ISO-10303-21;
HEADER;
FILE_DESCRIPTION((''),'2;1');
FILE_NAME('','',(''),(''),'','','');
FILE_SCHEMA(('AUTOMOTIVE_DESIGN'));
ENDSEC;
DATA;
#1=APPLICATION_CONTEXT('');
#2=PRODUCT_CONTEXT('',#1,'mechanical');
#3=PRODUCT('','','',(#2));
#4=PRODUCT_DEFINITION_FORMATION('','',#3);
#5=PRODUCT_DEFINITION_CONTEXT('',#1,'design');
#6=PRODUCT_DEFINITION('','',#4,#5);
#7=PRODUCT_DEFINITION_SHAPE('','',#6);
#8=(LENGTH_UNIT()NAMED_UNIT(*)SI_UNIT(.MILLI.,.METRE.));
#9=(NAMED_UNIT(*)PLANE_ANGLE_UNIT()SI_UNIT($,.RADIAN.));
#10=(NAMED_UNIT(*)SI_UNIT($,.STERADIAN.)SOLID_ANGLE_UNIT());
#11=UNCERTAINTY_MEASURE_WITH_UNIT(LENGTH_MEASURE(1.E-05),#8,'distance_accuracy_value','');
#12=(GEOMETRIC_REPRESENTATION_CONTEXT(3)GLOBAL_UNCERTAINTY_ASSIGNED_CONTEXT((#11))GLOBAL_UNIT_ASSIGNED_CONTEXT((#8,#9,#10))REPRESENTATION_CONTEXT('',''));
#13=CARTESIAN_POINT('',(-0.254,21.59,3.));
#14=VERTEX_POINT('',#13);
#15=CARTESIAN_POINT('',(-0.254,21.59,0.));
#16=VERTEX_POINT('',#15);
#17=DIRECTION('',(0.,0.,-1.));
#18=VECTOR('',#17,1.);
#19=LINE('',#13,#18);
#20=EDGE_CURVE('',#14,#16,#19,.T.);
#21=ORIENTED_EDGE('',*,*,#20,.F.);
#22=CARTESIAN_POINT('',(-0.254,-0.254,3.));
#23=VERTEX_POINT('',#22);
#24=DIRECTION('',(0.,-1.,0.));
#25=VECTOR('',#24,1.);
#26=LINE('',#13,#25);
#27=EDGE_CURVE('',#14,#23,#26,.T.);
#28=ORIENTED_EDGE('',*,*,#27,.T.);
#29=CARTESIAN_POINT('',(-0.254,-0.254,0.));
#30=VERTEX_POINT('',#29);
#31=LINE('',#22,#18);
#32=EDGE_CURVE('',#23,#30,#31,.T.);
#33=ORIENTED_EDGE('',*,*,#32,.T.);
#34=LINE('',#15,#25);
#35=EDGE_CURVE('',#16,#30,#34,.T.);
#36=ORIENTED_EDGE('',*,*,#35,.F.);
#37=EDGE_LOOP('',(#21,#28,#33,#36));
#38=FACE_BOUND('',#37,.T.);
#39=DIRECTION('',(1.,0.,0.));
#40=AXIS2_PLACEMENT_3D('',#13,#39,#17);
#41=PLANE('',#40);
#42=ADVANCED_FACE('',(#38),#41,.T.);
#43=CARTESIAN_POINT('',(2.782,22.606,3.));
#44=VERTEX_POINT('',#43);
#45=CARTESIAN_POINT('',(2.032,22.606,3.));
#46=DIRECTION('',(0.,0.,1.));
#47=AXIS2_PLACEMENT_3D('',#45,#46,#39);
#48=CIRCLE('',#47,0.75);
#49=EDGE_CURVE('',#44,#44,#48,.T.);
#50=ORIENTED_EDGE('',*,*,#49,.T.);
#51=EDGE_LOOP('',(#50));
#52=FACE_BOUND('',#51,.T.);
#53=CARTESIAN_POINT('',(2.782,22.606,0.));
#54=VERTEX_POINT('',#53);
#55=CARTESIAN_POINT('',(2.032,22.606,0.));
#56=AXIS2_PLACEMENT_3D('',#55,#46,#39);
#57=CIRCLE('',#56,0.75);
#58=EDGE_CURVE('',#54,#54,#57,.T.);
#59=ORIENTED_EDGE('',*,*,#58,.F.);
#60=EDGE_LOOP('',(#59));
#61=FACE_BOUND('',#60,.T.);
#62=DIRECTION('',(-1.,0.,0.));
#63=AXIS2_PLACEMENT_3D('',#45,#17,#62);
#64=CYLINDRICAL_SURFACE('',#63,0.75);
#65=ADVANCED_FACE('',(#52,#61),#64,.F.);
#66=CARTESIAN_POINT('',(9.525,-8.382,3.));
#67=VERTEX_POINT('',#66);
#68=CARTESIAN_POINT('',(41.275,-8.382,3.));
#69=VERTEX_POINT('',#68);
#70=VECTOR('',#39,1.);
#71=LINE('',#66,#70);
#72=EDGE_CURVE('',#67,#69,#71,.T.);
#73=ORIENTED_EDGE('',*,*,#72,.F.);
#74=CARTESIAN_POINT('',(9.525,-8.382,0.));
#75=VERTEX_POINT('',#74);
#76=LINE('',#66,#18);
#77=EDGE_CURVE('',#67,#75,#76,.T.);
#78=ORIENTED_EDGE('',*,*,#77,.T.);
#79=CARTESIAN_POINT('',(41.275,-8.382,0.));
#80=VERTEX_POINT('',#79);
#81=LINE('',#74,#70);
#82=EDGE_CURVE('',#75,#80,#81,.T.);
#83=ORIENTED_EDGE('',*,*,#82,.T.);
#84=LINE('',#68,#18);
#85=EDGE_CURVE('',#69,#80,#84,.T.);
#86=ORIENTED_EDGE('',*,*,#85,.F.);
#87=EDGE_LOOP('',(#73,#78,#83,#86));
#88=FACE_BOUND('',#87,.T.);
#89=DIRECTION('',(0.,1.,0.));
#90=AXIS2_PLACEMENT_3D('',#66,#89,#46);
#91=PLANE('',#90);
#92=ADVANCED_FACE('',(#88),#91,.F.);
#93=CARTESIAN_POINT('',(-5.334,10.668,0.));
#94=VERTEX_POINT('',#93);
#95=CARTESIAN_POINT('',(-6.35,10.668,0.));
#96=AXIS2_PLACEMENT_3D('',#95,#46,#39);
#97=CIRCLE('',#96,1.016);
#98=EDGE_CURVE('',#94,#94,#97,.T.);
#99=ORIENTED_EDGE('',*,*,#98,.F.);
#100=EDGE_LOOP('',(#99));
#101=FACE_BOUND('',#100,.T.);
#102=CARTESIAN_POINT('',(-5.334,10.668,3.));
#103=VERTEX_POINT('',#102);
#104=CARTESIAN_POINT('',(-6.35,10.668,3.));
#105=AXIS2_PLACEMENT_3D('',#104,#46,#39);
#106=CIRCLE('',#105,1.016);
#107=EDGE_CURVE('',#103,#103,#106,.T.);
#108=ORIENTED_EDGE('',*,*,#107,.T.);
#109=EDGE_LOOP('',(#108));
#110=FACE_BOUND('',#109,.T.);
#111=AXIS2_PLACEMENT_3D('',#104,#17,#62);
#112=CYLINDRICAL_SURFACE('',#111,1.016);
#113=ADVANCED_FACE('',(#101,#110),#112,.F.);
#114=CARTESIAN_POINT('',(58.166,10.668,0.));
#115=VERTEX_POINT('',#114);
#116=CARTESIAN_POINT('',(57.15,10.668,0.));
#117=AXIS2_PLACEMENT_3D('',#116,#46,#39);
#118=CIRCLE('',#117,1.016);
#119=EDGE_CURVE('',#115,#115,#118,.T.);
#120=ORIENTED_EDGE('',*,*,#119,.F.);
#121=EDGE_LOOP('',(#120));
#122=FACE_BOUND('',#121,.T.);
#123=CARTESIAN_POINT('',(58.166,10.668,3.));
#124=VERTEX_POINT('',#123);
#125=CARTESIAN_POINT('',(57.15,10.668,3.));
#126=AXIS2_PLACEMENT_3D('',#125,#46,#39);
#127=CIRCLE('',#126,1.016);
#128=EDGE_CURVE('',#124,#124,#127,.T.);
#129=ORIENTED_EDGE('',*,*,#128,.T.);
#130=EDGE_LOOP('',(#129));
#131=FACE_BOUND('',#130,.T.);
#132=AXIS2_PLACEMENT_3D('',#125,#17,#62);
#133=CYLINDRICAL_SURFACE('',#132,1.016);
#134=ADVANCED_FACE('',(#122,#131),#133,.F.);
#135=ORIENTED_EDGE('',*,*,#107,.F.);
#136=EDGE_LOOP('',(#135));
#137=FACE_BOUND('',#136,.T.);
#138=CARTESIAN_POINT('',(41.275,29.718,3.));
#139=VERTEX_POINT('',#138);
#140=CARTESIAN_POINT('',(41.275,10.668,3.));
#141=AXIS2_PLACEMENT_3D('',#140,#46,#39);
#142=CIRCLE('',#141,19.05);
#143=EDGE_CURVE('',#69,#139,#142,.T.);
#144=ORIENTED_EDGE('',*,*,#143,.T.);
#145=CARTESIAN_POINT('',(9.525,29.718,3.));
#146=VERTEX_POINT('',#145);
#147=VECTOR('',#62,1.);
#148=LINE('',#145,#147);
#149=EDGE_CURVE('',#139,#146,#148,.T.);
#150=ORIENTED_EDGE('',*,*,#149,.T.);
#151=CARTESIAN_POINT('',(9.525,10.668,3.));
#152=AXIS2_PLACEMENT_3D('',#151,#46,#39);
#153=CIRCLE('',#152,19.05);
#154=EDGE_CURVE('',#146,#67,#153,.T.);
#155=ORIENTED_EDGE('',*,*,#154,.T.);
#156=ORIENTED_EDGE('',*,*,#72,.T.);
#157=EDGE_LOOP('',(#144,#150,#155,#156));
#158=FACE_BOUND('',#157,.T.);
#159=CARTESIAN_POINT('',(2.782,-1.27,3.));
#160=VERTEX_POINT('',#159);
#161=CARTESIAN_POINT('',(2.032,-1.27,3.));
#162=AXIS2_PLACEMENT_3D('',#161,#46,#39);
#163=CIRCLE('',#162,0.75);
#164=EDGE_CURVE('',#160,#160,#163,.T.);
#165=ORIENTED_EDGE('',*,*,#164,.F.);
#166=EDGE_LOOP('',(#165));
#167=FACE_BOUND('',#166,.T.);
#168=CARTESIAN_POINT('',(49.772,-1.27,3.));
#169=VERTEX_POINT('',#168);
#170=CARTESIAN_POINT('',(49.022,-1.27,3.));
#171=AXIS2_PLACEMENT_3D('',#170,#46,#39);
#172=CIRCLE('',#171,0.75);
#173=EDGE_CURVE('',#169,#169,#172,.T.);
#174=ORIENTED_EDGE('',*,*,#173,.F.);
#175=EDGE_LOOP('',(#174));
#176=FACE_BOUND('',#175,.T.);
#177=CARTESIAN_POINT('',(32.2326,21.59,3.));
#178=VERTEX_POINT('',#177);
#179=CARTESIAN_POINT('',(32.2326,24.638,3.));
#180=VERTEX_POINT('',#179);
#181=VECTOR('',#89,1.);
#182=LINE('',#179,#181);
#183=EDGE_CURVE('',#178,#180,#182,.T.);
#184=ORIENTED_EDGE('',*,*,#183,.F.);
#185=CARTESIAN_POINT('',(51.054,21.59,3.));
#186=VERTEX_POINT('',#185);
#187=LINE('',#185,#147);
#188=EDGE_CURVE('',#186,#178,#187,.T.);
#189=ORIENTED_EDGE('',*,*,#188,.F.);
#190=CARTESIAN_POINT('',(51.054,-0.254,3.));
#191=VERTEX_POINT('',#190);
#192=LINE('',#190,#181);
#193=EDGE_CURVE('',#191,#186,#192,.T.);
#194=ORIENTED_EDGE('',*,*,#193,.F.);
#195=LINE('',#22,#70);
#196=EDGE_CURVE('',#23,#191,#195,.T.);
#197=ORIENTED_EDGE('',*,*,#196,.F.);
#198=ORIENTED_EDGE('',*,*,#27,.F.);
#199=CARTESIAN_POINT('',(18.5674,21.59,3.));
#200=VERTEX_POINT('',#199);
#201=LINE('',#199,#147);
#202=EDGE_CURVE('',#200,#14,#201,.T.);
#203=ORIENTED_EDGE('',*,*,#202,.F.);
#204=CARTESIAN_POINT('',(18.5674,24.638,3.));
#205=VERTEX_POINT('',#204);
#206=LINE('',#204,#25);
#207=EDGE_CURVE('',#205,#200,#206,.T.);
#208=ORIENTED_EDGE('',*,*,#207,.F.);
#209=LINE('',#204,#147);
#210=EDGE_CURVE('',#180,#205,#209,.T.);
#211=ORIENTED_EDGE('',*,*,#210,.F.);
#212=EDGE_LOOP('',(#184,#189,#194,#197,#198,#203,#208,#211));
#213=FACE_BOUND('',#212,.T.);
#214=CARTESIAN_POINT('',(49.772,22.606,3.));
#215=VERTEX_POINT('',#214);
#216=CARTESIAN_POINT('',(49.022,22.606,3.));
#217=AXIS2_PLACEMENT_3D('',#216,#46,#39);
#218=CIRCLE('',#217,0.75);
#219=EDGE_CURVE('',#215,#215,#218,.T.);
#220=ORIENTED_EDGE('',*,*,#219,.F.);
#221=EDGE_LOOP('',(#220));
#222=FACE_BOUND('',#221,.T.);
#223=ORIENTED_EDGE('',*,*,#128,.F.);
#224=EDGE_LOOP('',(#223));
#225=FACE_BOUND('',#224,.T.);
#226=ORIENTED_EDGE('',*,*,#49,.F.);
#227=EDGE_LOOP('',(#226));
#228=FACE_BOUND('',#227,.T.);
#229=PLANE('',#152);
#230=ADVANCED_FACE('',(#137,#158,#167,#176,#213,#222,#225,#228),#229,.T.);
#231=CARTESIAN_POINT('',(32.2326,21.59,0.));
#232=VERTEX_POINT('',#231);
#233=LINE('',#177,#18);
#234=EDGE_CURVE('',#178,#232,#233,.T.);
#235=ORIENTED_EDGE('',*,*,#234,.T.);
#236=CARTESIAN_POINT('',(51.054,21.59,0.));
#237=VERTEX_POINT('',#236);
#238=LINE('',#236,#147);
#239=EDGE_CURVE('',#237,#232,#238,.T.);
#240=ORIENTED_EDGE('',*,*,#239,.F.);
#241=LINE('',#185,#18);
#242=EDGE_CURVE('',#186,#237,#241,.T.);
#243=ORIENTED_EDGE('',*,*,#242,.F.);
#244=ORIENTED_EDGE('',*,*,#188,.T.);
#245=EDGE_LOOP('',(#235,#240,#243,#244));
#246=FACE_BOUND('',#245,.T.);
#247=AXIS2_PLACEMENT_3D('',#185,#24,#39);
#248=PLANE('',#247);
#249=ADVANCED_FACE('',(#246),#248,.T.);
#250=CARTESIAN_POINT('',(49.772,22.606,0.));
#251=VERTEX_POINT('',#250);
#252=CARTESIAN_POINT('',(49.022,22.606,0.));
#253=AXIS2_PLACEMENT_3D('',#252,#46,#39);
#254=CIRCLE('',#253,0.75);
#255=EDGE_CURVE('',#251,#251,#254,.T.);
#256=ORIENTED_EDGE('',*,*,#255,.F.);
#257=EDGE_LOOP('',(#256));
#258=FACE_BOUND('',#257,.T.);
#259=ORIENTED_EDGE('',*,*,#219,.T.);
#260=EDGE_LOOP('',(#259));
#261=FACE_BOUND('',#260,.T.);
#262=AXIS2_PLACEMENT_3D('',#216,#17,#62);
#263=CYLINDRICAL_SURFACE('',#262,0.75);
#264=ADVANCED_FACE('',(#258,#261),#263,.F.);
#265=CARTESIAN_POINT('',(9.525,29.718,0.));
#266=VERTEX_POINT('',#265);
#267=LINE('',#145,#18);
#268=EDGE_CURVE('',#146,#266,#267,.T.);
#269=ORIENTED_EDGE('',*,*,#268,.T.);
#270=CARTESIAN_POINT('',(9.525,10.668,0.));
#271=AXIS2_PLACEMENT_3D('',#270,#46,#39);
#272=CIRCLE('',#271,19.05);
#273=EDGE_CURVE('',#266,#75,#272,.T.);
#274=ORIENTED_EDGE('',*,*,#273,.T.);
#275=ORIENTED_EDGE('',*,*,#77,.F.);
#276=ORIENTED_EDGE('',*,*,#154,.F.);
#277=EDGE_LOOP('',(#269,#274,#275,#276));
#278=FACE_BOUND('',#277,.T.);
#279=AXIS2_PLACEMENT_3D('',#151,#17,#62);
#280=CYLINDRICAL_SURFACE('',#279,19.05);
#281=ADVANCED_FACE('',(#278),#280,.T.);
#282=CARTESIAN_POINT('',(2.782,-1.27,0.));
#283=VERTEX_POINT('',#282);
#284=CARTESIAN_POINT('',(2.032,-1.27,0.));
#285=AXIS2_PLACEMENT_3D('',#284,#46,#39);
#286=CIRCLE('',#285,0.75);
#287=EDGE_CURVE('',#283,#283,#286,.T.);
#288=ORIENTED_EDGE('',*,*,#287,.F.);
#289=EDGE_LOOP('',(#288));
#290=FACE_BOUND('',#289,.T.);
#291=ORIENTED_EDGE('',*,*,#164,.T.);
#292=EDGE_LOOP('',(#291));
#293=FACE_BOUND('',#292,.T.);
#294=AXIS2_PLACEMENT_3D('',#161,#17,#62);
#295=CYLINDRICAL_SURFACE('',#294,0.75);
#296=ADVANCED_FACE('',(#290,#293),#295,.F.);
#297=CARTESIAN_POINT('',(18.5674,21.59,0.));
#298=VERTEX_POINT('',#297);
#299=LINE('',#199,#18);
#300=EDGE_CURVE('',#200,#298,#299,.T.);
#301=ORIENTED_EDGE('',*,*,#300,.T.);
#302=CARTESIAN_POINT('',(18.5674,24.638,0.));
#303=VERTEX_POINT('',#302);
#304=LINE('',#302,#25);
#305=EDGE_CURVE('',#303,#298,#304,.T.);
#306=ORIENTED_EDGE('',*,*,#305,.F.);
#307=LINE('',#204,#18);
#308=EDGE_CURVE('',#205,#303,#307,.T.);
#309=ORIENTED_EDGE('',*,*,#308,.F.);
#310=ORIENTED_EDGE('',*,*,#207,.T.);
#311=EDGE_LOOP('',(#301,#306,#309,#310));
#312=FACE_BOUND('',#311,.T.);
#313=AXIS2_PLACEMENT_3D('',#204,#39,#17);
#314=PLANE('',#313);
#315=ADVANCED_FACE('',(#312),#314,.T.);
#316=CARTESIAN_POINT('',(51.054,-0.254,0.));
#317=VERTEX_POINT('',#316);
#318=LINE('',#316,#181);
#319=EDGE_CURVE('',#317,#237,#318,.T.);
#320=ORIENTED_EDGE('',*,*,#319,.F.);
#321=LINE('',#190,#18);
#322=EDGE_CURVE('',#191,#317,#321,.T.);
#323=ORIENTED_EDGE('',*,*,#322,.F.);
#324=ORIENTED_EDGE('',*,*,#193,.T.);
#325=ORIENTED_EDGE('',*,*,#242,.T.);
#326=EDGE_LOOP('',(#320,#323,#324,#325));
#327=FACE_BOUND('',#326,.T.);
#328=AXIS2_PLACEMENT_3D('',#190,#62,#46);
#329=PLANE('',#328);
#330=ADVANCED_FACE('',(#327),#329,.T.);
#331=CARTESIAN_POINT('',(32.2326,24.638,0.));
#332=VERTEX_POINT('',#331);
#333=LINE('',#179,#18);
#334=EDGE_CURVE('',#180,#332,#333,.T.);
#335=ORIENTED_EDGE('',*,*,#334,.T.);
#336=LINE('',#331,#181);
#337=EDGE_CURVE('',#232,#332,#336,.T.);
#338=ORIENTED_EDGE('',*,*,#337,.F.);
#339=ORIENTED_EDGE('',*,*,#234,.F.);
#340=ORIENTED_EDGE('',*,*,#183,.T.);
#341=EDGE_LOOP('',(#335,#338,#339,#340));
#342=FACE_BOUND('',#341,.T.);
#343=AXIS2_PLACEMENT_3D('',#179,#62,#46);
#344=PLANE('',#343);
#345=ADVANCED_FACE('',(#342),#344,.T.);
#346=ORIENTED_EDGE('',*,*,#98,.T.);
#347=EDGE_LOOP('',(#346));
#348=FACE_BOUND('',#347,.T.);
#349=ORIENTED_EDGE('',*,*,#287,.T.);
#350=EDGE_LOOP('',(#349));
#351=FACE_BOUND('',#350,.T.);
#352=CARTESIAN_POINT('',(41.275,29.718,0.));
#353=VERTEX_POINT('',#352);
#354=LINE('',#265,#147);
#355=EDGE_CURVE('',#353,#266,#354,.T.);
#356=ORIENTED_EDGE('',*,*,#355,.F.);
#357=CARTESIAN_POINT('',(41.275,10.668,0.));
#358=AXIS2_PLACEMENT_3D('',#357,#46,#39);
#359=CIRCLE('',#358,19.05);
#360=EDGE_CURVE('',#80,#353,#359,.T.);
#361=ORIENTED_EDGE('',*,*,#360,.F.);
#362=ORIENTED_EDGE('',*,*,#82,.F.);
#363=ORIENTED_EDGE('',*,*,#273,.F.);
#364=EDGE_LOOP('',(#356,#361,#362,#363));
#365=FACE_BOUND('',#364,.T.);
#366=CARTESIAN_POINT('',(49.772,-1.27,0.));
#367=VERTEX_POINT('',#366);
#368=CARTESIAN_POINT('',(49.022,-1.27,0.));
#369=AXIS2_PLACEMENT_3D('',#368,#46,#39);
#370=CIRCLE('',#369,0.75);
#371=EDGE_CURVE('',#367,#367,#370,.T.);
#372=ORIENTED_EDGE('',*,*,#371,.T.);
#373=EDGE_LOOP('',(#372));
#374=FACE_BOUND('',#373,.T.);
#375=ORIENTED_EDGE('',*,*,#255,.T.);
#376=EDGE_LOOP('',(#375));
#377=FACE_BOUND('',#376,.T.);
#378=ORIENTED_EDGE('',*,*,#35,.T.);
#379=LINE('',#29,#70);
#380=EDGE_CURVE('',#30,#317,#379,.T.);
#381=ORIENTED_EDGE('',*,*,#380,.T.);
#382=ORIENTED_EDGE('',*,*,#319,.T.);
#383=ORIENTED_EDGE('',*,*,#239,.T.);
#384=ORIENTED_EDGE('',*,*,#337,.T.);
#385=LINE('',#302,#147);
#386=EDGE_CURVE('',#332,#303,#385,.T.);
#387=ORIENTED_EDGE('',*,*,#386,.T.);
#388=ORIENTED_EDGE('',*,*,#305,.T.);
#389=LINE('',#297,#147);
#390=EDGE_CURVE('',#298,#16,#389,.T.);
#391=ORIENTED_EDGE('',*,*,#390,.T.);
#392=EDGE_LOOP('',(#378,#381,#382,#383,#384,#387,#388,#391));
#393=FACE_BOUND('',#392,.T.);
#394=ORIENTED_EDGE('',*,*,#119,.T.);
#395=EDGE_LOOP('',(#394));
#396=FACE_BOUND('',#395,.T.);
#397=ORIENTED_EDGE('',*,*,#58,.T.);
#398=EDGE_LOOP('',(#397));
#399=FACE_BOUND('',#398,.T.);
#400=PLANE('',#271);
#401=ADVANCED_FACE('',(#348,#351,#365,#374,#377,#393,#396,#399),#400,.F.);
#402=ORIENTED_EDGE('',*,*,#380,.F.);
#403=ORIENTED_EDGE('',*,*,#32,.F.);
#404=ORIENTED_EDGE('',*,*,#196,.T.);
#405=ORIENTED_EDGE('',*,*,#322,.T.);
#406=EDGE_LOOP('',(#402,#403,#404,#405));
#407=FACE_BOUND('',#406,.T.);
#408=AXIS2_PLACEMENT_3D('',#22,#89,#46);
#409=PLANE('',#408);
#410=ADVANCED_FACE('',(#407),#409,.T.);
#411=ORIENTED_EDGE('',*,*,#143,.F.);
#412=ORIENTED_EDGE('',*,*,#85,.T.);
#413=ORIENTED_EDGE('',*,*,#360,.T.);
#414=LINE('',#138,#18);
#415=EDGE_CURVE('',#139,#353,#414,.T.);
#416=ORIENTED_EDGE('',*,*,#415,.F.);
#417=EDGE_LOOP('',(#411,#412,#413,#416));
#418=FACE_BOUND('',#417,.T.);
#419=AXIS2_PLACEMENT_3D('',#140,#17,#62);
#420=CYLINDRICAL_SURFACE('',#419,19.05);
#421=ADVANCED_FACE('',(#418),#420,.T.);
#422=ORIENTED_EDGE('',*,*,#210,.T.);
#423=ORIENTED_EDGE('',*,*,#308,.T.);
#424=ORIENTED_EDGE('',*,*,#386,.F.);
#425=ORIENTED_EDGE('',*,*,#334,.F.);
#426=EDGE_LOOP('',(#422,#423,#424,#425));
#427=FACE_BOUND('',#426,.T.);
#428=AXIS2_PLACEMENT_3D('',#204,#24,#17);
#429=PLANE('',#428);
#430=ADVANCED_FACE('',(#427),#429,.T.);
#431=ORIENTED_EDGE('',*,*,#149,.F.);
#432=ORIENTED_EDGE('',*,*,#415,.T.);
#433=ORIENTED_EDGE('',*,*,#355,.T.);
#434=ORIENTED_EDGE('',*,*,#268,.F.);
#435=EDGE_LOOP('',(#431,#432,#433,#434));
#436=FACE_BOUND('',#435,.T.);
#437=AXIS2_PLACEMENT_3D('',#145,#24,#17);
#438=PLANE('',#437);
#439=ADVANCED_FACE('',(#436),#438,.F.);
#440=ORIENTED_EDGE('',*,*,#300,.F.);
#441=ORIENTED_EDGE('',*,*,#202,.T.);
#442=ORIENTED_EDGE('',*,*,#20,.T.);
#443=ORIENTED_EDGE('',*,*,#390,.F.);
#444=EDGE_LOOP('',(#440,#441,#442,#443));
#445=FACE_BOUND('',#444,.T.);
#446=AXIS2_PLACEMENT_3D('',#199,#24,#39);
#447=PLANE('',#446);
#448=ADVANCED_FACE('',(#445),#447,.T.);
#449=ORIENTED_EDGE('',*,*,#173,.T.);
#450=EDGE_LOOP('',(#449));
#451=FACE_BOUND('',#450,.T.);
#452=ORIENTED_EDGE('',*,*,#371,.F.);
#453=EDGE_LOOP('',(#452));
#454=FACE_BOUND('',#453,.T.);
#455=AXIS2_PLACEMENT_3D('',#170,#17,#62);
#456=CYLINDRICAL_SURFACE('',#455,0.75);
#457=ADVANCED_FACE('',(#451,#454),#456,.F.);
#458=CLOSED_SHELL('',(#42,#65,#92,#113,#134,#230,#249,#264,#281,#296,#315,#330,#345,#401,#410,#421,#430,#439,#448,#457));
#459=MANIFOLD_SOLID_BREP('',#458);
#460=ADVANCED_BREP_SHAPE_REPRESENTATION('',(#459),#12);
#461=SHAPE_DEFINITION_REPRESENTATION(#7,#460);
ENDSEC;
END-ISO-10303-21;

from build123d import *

# Parameters (mm, degrees)
SKETCH3_R           = 1.016
SKETCH3_R_2         = 0.75
BOSS_EXTRUDE1_DEPTH = 3


with BuildPart() as part:
    # Sketch3 → Boss-Extrude1 (new body)
    with BuildSketch(Plane.XY):
        with BuildLine():
            Line((9.525, -8.382), (41.275, -8.382))
            ThreePointArc((41.275, -8.382), (60.325, 10.668), (41.275, 29.718))
            Line((41.275, 29.718), (9.525, 29.718))
            ThreePointArc((9.525, 29.718), (-9.525, 10.668), (9.525, -8.382))
        make_face()
        with Locations((57.15, 10.668)):
            Circle(SKETCH3_R, mode=Mode.SUBTRACT)
        with Locations((-6.35, 10.668)):
            Circle(SKETCH3_R, mode=Mode.SUBTRACT)
        with Locations((2.032, 22.606)):
            Circle(SKETCH3_R_2, mode=Mode.SUBTRACT)
        with Locations((2.032, -1.27)):
            Circle(SKETCH3_R_2, mode=Mode.SUBTRACT)
        with Locations((49.022, -1.27)):
            Circle(SKETCH3_R_2, mode=Mode.SUBTRACT)
        with Locations((49.022, 22.606)):
            Circle(SKETCH3_R_2, mode=Mode.SUBTRACT)
        Polygon((18.5674, 24.638), (32.2326, 24.638), (32.2326, 21.59), (51.054, 21.59), (51.054, -0.254), (-0.254, -0.254), (-0.254, 21.59), (18.5674, 21.59), align=None, mode=Mode.SUBTRACT)
    extrude(amount=BOSS_EXTRUDE1_DEPTH)


solid = part.part
